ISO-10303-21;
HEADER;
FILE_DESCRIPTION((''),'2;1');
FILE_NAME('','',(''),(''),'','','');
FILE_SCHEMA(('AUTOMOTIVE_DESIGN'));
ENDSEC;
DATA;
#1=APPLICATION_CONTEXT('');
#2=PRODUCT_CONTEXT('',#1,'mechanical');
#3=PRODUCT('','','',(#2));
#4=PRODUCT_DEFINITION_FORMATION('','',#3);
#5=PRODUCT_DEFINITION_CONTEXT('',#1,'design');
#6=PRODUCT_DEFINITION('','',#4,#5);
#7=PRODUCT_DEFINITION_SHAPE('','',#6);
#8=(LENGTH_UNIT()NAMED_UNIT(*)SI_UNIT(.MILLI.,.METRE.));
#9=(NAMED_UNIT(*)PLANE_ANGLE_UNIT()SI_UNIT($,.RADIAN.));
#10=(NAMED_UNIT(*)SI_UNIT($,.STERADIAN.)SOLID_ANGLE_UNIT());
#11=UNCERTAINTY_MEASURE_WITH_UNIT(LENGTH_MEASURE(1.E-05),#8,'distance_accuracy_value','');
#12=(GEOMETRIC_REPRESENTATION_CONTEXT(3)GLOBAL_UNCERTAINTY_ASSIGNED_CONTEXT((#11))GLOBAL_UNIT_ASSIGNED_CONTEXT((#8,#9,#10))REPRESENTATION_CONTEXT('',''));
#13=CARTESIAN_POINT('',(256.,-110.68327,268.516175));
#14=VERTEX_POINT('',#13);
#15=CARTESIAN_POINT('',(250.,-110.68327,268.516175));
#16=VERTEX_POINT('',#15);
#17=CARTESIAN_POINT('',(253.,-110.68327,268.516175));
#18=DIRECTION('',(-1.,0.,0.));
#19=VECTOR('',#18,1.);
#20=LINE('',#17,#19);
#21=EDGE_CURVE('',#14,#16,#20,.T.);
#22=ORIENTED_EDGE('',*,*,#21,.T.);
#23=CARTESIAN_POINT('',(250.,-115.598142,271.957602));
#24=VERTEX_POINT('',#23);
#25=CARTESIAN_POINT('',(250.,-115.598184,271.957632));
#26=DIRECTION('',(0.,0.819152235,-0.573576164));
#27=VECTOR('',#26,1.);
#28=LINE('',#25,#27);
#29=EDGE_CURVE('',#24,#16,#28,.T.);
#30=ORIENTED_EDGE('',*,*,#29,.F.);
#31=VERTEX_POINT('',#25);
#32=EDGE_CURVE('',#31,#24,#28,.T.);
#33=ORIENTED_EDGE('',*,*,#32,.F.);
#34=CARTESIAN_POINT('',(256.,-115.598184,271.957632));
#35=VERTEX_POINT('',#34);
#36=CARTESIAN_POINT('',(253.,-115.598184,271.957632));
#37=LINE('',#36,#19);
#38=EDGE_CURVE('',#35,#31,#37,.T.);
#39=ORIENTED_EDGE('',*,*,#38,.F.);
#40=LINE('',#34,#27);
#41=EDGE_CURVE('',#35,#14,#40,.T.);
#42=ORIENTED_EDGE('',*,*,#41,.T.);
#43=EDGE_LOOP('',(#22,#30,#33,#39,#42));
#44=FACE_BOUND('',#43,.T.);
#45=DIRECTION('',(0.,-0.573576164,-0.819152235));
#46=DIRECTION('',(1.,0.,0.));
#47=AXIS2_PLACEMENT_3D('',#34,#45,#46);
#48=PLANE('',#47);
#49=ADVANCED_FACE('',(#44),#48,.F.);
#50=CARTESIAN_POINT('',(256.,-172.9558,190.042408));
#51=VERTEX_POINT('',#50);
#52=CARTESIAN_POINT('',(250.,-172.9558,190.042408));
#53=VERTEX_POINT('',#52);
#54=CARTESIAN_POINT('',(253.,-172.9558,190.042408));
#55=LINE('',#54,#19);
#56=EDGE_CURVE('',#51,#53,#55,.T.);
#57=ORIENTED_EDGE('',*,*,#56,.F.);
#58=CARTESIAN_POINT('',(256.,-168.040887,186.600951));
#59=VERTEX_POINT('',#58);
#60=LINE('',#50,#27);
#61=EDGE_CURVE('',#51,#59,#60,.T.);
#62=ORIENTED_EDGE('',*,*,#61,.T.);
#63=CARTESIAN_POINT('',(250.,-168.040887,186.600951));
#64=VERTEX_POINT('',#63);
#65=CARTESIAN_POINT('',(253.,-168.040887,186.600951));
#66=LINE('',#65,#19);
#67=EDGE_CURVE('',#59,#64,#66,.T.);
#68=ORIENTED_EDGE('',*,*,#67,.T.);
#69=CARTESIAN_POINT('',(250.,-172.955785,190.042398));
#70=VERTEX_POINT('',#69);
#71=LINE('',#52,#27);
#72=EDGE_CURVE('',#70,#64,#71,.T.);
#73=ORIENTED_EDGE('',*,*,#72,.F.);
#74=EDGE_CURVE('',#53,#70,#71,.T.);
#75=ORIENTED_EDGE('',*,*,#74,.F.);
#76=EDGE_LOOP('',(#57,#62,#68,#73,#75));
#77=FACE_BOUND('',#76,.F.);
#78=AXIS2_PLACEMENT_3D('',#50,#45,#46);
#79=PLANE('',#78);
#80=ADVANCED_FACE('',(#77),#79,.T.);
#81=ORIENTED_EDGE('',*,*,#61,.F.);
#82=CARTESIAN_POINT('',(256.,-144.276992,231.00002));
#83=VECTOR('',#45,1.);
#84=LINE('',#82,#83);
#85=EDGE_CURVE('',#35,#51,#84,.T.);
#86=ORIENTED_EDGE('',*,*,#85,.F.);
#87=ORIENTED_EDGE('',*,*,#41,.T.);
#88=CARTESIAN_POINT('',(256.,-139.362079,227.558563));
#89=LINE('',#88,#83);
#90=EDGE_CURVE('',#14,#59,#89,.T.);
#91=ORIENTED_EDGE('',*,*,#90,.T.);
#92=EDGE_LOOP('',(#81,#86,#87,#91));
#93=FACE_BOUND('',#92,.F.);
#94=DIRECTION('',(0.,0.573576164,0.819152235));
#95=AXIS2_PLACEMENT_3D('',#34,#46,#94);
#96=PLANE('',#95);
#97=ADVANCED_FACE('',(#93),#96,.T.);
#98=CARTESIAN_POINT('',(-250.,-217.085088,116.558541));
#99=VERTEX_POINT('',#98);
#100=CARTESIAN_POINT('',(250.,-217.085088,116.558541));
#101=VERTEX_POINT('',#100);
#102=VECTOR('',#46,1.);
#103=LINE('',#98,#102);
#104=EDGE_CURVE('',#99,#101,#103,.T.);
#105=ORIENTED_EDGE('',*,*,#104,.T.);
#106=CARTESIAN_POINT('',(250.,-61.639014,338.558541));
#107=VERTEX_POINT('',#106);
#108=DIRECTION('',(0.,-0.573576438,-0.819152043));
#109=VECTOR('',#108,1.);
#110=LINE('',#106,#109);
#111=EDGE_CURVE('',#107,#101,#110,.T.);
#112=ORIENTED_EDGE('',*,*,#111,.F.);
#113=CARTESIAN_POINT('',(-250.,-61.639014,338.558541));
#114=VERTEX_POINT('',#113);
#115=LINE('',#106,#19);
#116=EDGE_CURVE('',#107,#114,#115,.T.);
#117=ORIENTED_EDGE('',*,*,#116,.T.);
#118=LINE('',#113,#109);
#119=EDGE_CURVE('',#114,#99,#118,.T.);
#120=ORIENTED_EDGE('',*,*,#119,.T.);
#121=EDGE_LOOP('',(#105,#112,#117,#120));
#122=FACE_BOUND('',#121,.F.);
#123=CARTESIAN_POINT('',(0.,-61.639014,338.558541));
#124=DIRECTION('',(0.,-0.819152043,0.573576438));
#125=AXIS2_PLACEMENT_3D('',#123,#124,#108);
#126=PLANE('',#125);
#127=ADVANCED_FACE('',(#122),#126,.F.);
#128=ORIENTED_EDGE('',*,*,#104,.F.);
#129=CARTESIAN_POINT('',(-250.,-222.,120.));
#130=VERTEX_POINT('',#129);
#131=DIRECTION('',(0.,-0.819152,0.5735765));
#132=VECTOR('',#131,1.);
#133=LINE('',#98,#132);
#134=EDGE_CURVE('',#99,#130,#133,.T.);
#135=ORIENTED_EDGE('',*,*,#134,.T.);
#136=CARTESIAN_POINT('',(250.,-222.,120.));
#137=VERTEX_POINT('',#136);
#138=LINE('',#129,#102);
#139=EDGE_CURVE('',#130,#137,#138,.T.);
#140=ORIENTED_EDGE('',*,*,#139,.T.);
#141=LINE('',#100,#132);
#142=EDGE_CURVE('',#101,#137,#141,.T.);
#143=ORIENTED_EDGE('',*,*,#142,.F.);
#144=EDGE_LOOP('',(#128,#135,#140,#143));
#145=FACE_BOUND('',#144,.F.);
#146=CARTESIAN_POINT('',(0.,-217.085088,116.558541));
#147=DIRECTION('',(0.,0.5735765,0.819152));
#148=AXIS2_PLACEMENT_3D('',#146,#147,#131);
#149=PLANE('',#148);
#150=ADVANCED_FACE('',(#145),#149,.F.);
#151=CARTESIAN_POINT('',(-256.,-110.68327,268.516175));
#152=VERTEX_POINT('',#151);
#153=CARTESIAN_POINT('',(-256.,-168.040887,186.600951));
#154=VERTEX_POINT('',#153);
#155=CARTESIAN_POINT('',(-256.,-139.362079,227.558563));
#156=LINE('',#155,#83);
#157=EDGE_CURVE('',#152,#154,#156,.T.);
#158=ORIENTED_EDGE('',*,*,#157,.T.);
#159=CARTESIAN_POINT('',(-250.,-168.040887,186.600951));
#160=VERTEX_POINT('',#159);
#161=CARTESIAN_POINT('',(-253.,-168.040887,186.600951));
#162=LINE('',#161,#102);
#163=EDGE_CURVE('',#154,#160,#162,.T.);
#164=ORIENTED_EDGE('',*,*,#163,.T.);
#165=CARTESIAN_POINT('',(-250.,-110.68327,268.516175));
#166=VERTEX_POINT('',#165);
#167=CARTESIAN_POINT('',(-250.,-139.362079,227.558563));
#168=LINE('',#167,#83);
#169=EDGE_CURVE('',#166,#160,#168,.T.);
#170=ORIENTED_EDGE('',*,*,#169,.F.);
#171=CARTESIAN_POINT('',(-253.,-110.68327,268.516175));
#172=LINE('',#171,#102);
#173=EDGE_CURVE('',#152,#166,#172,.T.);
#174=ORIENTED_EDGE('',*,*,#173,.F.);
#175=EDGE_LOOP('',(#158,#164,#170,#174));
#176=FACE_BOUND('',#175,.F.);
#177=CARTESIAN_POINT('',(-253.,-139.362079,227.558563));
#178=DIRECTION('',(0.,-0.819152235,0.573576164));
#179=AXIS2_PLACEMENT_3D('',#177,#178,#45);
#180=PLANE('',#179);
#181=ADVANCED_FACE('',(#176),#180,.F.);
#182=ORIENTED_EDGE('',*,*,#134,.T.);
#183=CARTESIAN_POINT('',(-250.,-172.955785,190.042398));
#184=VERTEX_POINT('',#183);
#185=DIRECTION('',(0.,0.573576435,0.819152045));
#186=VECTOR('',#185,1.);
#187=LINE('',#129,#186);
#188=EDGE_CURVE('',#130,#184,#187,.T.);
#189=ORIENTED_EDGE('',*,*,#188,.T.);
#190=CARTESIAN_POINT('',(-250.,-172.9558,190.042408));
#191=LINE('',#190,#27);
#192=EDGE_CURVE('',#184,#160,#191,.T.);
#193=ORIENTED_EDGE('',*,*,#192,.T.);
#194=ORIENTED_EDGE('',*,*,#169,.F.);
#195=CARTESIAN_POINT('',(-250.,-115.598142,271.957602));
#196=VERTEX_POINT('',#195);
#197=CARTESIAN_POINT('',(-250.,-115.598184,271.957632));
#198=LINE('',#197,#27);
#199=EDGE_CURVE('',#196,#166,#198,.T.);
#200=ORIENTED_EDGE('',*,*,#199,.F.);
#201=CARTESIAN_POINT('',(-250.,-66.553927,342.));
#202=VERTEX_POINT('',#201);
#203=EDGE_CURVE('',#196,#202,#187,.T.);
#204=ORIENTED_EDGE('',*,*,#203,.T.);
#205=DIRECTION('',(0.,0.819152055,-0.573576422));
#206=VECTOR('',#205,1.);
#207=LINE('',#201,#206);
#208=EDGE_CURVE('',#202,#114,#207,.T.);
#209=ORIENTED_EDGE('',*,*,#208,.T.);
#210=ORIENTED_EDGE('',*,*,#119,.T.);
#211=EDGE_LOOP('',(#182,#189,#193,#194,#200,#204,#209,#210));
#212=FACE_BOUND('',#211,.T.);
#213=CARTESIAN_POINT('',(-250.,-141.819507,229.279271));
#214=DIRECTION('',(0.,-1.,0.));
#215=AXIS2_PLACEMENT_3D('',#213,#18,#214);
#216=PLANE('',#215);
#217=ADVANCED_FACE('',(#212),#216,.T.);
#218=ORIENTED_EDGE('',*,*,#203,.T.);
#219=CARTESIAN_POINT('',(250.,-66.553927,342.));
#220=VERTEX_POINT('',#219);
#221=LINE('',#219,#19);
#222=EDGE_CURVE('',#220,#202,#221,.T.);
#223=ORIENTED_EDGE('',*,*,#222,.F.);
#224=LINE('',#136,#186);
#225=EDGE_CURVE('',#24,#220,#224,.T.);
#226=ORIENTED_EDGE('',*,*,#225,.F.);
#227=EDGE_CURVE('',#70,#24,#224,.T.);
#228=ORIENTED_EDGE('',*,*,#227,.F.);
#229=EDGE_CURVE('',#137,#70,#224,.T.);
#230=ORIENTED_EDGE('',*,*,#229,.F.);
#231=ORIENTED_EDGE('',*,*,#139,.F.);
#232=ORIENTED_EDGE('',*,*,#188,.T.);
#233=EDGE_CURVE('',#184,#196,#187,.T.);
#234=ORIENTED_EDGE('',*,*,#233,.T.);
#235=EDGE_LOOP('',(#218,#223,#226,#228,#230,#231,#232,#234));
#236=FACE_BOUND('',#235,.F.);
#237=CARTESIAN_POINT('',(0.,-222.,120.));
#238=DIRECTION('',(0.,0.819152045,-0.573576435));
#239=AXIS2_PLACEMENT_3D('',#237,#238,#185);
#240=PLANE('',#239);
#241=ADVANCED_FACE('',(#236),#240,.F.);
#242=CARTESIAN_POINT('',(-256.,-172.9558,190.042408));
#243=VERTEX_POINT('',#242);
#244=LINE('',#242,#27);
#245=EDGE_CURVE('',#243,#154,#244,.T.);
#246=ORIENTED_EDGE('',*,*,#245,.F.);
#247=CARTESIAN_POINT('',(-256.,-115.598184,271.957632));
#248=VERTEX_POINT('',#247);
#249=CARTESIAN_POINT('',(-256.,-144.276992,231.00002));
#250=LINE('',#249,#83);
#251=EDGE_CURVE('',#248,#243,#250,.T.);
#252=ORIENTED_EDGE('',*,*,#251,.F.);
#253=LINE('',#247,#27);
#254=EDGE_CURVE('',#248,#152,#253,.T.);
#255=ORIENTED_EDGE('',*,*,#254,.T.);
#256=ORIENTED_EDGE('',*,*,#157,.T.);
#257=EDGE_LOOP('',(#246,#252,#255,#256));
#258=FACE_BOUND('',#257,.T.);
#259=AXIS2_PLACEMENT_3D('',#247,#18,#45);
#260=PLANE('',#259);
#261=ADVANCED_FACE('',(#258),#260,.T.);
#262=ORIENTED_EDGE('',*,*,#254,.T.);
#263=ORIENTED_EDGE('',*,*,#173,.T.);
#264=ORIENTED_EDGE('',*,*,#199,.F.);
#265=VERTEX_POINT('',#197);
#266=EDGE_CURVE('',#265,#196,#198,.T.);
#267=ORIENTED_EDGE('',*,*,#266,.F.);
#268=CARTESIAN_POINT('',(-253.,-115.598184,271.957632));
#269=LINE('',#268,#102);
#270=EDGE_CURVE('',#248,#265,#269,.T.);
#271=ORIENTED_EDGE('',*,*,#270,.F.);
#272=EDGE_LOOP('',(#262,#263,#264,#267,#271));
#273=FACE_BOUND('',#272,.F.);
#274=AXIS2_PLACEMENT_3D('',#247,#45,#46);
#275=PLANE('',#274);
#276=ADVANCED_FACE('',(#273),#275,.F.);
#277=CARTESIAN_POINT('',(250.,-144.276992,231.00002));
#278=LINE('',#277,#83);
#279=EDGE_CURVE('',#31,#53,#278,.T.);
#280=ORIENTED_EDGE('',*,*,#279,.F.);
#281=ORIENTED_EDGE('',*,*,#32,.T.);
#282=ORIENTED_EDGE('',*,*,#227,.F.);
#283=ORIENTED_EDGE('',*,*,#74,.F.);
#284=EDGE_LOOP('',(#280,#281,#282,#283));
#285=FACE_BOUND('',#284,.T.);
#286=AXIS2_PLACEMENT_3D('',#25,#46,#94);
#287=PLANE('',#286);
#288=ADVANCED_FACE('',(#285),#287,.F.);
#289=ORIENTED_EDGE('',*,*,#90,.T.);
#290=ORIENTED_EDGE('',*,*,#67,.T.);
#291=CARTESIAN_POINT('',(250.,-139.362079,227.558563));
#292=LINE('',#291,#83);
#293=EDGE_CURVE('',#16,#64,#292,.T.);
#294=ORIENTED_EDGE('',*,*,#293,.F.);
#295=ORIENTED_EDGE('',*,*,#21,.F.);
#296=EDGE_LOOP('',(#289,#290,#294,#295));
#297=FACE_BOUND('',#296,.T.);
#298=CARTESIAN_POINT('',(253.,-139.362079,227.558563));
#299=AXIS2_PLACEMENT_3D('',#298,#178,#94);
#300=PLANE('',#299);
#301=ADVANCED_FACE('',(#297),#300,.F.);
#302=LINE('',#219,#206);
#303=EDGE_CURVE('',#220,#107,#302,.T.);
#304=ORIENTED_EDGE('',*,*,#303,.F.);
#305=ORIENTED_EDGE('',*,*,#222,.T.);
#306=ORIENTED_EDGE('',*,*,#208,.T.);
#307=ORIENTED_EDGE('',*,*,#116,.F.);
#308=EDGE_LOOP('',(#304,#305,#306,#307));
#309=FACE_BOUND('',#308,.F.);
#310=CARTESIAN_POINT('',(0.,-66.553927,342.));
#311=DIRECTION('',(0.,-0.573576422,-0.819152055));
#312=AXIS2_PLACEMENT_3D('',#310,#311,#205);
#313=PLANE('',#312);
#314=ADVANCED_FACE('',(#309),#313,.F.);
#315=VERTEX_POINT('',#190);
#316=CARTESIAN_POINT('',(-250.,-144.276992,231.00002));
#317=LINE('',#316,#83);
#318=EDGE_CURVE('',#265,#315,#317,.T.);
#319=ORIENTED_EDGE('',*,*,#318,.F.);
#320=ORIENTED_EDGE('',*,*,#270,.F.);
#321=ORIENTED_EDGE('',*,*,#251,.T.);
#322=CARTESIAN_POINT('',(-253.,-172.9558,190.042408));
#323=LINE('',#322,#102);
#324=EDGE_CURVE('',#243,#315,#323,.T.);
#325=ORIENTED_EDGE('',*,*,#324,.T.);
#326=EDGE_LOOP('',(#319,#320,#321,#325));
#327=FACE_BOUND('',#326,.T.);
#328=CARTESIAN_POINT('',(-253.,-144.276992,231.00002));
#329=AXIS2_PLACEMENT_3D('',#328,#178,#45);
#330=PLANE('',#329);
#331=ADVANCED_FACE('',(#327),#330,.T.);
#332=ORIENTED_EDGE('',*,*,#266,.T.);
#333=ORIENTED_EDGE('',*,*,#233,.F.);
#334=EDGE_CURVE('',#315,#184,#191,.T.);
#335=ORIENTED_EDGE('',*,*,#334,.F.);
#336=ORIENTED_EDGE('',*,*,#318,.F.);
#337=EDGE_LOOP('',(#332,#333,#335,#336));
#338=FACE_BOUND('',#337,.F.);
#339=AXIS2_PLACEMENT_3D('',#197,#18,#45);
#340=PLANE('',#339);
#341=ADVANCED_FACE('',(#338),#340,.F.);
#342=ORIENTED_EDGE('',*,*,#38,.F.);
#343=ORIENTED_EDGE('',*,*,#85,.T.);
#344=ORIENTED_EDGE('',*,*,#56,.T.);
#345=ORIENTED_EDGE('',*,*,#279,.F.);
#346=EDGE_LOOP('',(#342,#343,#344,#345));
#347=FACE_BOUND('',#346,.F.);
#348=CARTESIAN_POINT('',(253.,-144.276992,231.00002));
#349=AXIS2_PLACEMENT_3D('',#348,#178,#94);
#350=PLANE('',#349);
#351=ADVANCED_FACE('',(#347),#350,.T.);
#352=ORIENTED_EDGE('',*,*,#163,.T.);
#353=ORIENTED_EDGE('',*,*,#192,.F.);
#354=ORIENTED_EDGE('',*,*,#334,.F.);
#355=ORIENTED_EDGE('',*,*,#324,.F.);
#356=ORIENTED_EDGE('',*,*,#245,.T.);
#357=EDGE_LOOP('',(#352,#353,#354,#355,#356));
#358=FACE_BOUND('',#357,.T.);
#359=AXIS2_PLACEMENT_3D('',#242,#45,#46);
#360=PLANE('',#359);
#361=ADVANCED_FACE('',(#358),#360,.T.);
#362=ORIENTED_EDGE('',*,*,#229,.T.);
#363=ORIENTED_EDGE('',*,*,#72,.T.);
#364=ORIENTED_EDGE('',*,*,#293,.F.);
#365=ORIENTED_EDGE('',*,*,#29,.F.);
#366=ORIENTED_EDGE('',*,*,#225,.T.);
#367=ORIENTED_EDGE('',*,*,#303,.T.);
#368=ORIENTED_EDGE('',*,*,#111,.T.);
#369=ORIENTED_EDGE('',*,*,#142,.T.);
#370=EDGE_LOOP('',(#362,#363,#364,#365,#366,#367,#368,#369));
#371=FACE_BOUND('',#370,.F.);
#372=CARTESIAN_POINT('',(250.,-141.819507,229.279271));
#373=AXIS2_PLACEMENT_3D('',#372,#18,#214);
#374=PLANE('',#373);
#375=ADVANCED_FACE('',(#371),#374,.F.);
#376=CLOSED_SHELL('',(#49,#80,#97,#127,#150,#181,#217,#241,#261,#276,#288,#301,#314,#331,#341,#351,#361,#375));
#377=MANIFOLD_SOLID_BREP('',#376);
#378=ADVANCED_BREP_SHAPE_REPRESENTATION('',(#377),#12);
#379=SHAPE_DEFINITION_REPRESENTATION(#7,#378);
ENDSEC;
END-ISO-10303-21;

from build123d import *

# Parameters (mm, degrees)
PAD012_DEPTH = 250
SKETCH023_W  = 100
SKETCH023_H  = 6
PAD015_DEPTH = 6


with BuildPart() as part:
    # Sketch020 → Pad012 (new body, symmetric)
    with BuildSketch(Plane.YZ):
        Polygon((-222, 120), (-66.553927, 342), (-61.639014, 338.558541), (-217.085088, 116.558541), align=None)
    extrude(amount=PAD012_DEPTH, both=True)

    # Sketch023 (on Face1 of Pad012) → Pad015 (join)
    with BuildSketch(Plane(origin=(0, -205.345793, 143.784672), x_dir=(0, -0.573576, -0.819152), z_dir=(0, -0.819152, 0.573576))):
        with Locations((-106.470256, -253)):
            Rectangle(SKETCH023_W, SKETCH023_H)
    pad015 = extrude(amount=-PAD015_DEPTH)

    # Mirrored001: Pad015 across YZ
    add(pad015.mirror(Plane.YZ))


solid = part.part
